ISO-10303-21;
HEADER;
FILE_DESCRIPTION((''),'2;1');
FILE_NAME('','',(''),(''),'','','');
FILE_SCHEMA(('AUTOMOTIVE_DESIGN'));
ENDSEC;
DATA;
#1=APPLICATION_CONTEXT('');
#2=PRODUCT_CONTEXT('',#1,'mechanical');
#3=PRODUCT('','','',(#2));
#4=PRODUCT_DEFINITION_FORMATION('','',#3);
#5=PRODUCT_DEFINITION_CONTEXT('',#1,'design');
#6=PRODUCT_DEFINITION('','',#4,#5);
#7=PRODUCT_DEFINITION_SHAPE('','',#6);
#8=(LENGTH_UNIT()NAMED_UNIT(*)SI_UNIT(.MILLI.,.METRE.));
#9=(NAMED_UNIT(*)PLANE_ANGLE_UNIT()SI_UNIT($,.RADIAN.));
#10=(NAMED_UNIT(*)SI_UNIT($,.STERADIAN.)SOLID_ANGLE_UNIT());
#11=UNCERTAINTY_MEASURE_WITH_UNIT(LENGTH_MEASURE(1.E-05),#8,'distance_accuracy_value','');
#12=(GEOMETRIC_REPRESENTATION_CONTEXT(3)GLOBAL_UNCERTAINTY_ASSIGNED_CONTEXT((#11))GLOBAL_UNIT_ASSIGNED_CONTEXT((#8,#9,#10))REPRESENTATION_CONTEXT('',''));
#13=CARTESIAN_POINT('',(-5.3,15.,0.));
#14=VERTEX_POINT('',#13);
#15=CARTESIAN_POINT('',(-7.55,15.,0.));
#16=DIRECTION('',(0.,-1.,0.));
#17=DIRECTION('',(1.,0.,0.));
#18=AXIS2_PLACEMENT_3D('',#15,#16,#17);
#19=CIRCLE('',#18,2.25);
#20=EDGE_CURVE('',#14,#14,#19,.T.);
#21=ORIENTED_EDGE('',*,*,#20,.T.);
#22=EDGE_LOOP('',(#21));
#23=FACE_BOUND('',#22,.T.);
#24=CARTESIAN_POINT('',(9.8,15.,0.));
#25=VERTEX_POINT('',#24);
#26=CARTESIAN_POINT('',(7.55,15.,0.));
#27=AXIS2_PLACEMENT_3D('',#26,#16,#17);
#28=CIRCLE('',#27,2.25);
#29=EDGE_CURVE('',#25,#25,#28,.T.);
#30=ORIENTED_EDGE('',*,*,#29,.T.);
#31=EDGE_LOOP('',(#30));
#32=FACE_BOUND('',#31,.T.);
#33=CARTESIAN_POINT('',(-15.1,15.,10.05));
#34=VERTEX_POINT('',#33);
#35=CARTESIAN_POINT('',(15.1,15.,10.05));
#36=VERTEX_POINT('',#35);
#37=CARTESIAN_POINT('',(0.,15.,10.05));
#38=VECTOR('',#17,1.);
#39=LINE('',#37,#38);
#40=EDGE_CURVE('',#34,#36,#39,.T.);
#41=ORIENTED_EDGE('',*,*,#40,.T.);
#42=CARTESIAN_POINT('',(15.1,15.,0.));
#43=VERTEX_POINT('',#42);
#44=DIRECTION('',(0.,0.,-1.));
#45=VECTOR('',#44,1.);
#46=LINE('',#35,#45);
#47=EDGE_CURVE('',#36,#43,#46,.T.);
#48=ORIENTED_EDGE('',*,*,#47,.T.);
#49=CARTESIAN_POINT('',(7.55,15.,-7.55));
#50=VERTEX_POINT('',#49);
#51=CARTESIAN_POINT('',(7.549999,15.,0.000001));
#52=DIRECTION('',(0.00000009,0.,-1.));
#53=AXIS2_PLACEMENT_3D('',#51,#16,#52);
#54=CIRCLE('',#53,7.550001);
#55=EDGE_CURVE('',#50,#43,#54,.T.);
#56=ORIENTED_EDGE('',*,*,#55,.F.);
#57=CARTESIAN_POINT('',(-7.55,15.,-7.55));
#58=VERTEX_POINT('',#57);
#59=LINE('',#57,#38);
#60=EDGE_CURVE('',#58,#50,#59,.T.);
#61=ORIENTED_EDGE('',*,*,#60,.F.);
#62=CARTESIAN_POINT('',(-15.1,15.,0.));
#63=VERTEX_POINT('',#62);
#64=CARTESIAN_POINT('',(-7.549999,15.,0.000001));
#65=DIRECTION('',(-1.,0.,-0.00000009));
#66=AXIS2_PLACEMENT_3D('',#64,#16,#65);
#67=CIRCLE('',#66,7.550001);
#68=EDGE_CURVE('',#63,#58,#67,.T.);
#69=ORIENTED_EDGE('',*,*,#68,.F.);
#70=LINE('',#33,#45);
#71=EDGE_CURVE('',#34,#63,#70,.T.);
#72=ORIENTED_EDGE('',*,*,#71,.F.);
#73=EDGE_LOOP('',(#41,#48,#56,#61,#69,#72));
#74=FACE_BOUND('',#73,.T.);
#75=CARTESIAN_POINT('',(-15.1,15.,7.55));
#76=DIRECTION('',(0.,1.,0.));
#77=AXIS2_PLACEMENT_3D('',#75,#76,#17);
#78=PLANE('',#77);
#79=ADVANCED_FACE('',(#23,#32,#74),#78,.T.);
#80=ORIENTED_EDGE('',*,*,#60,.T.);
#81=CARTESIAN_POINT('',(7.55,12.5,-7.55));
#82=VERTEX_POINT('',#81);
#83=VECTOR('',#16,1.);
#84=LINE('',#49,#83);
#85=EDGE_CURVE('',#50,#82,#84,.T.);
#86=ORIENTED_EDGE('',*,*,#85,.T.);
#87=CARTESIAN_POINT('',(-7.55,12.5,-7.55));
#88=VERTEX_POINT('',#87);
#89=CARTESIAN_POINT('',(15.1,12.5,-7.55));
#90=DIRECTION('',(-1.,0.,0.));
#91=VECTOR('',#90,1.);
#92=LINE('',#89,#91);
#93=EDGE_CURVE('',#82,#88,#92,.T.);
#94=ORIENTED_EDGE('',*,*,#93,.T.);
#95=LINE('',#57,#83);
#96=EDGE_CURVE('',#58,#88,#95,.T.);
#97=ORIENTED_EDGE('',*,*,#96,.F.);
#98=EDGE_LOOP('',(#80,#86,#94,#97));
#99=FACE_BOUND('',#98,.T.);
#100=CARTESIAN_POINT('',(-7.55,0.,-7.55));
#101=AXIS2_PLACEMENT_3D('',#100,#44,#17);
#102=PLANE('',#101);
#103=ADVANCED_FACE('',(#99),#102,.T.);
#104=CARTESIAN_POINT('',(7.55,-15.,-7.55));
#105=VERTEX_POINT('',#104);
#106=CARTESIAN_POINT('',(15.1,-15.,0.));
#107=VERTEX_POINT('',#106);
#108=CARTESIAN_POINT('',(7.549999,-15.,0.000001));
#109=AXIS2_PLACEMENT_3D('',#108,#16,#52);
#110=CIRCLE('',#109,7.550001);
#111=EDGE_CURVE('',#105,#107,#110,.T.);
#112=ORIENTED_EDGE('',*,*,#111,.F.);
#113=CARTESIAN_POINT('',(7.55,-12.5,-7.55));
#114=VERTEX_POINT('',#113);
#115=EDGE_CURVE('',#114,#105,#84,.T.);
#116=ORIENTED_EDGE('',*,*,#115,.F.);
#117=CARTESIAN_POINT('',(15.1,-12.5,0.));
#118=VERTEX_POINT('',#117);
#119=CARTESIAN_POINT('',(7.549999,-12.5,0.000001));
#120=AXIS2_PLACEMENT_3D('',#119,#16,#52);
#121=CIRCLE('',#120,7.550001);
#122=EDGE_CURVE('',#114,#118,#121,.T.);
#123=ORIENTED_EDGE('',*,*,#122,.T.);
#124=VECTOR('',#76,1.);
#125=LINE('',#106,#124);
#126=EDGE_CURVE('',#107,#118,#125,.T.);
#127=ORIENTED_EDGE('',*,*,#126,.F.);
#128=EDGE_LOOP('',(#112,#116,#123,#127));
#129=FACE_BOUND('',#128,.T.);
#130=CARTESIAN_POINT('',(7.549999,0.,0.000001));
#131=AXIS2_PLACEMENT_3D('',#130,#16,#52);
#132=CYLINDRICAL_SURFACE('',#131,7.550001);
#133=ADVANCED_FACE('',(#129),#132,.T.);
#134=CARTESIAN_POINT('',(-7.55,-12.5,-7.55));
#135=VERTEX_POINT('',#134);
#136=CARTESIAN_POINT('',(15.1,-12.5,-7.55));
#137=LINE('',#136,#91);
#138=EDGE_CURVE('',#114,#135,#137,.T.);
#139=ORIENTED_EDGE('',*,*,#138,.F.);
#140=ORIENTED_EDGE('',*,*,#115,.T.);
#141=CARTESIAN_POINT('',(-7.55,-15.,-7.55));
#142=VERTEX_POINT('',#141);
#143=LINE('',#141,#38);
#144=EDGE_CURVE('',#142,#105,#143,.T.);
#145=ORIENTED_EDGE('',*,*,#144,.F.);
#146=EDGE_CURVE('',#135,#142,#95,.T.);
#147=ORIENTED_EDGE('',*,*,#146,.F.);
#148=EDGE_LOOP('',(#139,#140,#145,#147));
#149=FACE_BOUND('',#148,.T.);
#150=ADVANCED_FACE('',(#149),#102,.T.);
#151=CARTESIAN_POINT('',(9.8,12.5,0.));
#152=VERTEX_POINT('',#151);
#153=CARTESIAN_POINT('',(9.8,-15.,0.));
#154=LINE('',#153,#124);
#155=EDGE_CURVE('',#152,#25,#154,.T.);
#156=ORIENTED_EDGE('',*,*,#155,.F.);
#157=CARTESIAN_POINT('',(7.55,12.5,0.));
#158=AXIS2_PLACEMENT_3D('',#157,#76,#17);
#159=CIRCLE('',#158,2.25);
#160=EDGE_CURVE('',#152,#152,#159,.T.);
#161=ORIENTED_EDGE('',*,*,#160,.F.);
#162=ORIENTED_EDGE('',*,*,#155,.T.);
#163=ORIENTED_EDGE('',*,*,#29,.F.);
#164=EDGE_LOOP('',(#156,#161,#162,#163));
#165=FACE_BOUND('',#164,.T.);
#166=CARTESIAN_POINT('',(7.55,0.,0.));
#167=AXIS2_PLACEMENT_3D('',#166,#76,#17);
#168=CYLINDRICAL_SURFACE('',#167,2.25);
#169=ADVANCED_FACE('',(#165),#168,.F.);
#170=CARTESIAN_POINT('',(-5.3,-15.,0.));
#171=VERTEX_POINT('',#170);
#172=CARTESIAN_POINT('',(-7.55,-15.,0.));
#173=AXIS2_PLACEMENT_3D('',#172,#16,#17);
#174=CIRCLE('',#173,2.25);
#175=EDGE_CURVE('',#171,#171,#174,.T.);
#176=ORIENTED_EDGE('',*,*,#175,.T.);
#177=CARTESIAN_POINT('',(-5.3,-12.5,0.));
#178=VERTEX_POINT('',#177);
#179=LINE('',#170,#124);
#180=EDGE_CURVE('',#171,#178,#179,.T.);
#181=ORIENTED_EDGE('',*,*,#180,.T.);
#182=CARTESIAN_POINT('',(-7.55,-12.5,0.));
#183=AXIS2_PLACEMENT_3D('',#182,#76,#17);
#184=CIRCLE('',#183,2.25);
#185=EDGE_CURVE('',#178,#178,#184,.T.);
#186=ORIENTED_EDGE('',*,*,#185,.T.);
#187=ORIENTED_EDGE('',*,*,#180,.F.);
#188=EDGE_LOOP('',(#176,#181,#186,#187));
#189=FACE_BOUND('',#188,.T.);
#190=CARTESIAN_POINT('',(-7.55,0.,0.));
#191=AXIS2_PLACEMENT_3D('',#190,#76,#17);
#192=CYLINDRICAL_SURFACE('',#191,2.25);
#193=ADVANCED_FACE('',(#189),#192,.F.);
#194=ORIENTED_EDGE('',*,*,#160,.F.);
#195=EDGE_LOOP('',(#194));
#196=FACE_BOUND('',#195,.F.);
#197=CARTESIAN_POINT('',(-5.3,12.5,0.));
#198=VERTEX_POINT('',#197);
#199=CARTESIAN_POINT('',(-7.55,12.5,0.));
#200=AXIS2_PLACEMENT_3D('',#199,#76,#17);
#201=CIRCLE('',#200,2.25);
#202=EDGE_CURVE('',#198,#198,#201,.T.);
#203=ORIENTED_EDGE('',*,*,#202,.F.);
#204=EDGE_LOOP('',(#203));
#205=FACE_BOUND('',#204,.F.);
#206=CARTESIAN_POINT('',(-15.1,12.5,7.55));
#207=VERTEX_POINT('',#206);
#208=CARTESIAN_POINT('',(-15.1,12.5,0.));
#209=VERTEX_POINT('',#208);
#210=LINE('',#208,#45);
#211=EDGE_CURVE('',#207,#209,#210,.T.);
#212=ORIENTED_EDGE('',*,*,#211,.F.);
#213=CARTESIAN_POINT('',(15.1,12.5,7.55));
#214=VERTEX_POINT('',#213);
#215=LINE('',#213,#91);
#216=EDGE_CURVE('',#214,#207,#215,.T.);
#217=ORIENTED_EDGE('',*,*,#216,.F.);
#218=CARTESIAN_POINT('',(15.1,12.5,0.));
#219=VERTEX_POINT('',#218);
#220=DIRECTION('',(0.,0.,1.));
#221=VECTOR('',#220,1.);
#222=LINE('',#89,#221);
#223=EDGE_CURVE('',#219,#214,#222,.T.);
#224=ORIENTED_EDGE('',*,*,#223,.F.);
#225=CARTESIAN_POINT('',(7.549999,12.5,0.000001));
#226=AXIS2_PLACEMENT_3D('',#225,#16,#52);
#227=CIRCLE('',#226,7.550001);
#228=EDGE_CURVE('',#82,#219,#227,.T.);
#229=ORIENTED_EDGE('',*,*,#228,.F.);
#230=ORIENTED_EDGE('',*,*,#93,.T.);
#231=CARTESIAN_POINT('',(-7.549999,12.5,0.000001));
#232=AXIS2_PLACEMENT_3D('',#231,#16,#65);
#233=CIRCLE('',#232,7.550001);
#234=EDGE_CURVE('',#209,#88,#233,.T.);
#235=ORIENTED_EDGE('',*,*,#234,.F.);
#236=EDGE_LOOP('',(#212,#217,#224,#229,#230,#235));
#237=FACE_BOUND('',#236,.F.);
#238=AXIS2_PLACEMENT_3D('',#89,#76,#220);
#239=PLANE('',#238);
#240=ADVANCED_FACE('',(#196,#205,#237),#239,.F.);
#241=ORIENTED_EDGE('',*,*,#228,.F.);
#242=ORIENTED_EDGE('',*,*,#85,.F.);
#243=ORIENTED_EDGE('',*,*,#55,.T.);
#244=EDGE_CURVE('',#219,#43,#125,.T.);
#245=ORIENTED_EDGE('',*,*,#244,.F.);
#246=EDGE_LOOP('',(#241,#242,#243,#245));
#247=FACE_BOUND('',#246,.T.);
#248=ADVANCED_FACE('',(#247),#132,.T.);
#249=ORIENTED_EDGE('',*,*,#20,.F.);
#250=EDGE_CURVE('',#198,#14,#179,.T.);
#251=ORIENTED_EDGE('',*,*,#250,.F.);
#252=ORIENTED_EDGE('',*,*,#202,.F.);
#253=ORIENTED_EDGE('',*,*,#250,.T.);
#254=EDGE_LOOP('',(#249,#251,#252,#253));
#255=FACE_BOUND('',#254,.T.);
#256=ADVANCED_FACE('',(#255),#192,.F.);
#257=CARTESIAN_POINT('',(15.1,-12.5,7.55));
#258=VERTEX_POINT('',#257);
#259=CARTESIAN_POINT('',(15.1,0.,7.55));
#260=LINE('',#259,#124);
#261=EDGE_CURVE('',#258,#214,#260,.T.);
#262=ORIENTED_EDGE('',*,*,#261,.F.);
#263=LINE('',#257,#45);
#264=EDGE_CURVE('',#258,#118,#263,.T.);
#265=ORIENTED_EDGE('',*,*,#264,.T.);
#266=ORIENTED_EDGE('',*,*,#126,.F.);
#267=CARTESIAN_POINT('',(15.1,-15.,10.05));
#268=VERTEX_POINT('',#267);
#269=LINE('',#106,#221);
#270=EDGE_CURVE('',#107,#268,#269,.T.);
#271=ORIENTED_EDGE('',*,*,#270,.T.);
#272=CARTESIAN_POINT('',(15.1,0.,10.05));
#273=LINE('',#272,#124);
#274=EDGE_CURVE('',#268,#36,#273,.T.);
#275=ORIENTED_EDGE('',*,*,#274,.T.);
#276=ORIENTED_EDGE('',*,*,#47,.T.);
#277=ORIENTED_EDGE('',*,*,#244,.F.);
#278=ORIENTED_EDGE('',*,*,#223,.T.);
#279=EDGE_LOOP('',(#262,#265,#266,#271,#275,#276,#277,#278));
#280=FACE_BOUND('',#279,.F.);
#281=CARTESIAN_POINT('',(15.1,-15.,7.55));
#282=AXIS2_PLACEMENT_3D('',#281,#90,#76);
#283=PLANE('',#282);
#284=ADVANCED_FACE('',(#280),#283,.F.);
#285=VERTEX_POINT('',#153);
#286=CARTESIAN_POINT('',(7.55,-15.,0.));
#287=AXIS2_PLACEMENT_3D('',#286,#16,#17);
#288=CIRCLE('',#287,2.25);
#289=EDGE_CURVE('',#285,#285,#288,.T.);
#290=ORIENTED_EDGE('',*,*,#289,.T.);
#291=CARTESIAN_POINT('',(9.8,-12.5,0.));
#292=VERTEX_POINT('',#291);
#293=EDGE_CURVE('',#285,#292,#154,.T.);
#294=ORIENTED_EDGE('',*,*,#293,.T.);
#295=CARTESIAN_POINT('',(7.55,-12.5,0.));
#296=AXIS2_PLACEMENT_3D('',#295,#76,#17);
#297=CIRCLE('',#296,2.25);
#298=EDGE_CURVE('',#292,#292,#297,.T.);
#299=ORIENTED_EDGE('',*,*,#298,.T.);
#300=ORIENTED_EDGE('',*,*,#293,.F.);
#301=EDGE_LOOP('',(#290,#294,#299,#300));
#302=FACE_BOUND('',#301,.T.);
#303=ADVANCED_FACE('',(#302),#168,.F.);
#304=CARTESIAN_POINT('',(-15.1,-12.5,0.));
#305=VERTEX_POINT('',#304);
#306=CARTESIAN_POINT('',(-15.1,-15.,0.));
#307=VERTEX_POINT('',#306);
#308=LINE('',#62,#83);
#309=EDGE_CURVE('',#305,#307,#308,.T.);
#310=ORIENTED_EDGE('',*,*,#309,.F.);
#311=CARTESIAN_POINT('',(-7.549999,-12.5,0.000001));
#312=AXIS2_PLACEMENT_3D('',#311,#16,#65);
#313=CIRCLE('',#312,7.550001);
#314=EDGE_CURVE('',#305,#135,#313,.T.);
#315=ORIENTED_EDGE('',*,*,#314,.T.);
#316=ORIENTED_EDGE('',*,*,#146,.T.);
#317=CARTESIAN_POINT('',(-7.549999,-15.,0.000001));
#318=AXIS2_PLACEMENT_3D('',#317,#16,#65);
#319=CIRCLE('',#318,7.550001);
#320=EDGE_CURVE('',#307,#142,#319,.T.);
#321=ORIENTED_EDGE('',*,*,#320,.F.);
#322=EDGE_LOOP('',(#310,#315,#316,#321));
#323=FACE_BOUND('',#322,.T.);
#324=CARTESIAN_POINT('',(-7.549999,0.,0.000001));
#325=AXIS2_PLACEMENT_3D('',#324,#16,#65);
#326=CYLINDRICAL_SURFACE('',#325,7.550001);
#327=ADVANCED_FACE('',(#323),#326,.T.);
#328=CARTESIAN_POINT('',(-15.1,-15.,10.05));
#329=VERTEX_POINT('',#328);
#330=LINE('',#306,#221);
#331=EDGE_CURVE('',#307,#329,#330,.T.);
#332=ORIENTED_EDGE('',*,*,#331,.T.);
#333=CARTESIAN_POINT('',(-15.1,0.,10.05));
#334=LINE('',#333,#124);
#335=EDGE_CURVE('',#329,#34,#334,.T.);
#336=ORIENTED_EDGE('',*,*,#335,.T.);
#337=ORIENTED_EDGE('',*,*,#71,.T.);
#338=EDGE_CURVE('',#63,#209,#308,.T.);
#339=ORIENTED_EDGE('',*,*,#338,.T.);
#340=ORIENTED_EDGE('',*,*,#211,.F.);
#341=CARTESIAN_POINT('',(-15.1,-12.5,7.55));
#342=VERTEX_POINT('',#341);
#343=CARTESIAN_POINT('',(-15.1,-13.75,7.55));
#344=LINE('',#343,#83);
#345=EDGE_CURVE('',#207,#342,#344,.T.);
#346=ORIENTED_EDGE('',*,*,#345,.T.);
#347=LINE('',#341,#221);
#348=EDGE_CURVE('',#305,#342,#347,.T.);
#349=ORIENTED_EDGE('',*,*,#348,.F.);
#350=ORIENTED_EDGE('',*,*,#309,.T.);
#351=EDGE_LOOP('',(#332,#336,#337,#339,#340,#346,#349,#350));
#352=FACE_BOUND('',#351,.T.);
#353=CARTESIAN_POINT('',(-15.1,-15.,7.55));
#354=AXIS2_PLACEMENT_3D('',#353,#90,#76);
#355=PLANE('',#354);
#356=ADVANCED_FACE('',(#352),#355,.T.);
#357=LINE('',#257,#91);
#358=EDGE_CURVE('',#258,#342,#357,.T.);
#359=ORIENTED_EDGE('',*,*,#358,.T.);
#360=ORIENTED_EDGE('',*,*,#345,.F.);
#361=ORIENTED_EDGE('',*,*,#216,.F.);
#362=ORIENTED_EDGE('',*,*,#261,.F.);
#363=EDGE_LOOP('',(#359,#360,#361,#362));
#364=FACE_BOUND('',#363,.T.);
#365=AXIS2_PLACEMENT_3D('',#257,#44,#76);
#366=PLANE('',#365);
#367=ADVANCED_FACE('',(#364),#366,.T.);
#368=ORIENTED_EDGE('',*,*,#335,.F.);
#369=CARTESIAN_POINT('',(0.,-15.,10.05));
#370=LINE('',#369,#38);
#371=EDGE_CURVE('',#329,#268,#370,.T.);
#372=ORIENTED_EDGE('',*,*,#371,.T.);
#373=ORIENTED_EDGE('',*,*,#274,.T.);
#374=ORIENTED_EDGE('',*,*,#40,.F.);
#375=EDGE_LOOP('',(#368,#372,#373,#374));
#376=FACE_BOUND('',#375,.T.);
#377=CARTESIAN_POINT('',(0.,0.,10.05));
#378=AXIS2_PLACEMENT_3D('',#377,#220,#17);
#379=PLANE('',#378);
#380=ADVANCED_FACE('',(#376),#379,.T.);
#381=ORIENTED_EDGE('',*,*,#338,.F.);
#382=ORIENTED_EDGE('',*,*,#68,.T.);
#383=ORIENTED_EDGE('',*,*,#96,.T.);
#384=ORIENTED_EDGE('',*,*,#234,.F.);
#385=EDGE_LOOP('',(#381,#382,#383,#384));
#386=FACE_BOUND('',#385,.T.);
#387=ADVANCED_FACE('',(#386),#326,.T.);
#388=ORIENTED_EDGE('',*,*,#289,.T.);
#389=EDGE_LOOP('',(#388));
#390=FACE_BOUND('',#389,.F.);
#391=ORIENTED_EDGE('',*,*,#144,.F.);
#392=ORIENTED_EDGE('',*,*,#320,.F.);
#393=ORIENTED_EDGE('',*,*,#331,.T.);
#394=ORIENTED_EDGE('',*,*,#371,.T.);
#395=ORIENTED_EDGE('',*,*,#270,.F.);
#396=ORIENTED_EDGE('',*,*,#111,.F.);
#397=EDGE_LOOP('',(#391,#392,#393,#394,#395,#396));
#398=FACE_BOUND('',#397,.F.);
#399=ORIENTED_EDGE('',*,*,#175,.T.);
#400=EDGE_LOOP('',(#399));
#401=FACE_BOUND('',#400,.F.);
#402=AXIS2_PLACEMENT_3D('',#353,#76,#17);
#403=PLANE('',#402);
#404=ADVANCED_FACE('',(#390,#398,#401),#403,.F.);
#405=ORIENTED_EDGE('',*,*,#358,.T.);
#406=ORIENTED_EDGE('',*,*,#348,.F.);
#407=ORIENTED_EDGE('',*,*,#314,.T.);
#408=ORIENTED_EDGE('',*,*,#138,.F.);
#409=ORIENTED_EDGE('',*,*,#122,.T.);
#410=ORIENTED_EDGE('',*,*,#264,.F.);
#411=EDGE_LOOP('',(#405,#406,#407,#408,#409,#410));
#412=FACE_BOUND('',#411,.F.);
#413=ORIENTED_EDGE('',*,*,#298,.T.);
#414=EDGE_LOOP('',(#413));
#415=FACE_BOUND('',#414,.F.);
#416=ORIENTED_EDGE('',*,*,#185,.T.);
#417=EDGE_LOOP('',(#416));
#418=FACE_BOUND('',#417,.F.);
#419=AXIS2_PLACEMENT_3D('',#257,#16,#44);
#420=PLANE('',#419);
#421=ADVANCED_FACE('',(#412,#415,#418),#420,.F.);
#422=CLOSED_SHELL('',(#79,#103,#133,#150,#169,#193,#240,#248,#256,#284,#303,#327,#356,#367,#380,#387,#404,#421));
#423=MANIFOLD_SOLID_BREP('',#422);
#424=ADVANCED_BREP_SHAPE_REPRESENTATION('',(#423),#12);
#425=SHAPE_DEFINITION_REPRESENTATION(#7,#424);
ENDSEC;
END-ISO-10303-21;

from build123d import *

# Parameters (mm, degrees)
F0_R     = 2.25
F1_DEPTH = 15
F2_W     = 30.2
F2_H     = 30
F3_DEPTH = 2.5
F4_W     = 25
F4_H     = 7.55
F5_DEPTH = 30.201


with BuildPart() as f1:
    # F0 (on Front) → F1 (new body, symmetric)
    with BuildSketch(Plane.XZ):
        with BuildLine():
            ThreePointArc((-7.55, -7.55), (-2.211344, -5.338656), (0, 0))
            ThreePointArc((0, 0), (-2.211344, 5.338656), (-7.55, 7.55))
            ThreePointArc((-7.55, 7.55), (-12.888656, 5.338656), (-15.1, 0))
            ThreePointArc((-15.1, 0), (-12.888656, -5.338656), (-7.55, -7.55))
        make_face()
        with Locations((-7.55, 0)):
            Circle(F0_R, mode=Mode.SUBTRACT)
        with BuildLine():
            ThreePointArc((-15.1, 0), (-12.888656, 5.338656), (-7.55, 7.55))
            Line((-7.55, 7.55), (-15.1, 7.55))
            Line((-15.1, 7.55), (-15.1, 0))
        make_face()
        with BuildLine():
            ThreePointArc((-7.55, 7.55), (-2.211344, 5.338656), (0, 0))
            ThreePointArc((0, 0), (2.211344, 5.338656), (7.55, 7.55))
            Line((7.55, 7.55), (-7.55, 7.55))
        make_face()
        with BuildLine():
            Line((15.1, 7.55), (7.55, 7.55))
            ThreePointArc((7.55, 7.55), (12.888656, 5.338656), (15.1, 0))
            Line((15.1, 0), (15.1, 7.55))
        make_face()
        with BuildLine():
            ThreePointArc((7.55, -7.55), (2.211344, -5.338656), (0, 0))
            ThreePointArc((0, 0), (-2.211344, -5.338656), (-7.55, -7.55))
            Line((-7.55, -7.55), (7.55, -7.55))
        make_face()
        with BuildLine():
            ThreePointArc((7.55, 7.55), (2.211344, 5.338656), (0, 0))
            ThreePointArc((0, 0), (2.211344, -5.338656), (7.55, -7.55))
            ThreePointArc((7.55, -7.55), (12.888656, -5.338656), (15.1, 0))
            ThreePointArc((15.1, 0), (12.888656, 5.338656), (7.55, 7.55))
        make_face()
        with Locations((7.55, 0)):
            Circle(F0_R, mode=Mode.SUBTRACT)
    extrude(amount=F1_DEPTH, both=True)

    # F2 (on face) → F3 (join)
    with BuildSketch(Plane.XY.offset(7.55)):
        Rectangle(F2_W, F2_H)
    extrude(amount=F3_DEPTH)

    # F4 (on face) → F5 (cut, through all)
    with BuildSketch(Plane.YZ.offset(15.1)):
        with Locations((0, 3.775)):
            Rectangle(F4_W, F4_H)
        with Locations((0, -3.775)):
            Rectangle(F4_W, F4_H)
    extrude(amount=-F5_DEPTH, mode=Mode.SUBTRACT)


solid = f1.part
